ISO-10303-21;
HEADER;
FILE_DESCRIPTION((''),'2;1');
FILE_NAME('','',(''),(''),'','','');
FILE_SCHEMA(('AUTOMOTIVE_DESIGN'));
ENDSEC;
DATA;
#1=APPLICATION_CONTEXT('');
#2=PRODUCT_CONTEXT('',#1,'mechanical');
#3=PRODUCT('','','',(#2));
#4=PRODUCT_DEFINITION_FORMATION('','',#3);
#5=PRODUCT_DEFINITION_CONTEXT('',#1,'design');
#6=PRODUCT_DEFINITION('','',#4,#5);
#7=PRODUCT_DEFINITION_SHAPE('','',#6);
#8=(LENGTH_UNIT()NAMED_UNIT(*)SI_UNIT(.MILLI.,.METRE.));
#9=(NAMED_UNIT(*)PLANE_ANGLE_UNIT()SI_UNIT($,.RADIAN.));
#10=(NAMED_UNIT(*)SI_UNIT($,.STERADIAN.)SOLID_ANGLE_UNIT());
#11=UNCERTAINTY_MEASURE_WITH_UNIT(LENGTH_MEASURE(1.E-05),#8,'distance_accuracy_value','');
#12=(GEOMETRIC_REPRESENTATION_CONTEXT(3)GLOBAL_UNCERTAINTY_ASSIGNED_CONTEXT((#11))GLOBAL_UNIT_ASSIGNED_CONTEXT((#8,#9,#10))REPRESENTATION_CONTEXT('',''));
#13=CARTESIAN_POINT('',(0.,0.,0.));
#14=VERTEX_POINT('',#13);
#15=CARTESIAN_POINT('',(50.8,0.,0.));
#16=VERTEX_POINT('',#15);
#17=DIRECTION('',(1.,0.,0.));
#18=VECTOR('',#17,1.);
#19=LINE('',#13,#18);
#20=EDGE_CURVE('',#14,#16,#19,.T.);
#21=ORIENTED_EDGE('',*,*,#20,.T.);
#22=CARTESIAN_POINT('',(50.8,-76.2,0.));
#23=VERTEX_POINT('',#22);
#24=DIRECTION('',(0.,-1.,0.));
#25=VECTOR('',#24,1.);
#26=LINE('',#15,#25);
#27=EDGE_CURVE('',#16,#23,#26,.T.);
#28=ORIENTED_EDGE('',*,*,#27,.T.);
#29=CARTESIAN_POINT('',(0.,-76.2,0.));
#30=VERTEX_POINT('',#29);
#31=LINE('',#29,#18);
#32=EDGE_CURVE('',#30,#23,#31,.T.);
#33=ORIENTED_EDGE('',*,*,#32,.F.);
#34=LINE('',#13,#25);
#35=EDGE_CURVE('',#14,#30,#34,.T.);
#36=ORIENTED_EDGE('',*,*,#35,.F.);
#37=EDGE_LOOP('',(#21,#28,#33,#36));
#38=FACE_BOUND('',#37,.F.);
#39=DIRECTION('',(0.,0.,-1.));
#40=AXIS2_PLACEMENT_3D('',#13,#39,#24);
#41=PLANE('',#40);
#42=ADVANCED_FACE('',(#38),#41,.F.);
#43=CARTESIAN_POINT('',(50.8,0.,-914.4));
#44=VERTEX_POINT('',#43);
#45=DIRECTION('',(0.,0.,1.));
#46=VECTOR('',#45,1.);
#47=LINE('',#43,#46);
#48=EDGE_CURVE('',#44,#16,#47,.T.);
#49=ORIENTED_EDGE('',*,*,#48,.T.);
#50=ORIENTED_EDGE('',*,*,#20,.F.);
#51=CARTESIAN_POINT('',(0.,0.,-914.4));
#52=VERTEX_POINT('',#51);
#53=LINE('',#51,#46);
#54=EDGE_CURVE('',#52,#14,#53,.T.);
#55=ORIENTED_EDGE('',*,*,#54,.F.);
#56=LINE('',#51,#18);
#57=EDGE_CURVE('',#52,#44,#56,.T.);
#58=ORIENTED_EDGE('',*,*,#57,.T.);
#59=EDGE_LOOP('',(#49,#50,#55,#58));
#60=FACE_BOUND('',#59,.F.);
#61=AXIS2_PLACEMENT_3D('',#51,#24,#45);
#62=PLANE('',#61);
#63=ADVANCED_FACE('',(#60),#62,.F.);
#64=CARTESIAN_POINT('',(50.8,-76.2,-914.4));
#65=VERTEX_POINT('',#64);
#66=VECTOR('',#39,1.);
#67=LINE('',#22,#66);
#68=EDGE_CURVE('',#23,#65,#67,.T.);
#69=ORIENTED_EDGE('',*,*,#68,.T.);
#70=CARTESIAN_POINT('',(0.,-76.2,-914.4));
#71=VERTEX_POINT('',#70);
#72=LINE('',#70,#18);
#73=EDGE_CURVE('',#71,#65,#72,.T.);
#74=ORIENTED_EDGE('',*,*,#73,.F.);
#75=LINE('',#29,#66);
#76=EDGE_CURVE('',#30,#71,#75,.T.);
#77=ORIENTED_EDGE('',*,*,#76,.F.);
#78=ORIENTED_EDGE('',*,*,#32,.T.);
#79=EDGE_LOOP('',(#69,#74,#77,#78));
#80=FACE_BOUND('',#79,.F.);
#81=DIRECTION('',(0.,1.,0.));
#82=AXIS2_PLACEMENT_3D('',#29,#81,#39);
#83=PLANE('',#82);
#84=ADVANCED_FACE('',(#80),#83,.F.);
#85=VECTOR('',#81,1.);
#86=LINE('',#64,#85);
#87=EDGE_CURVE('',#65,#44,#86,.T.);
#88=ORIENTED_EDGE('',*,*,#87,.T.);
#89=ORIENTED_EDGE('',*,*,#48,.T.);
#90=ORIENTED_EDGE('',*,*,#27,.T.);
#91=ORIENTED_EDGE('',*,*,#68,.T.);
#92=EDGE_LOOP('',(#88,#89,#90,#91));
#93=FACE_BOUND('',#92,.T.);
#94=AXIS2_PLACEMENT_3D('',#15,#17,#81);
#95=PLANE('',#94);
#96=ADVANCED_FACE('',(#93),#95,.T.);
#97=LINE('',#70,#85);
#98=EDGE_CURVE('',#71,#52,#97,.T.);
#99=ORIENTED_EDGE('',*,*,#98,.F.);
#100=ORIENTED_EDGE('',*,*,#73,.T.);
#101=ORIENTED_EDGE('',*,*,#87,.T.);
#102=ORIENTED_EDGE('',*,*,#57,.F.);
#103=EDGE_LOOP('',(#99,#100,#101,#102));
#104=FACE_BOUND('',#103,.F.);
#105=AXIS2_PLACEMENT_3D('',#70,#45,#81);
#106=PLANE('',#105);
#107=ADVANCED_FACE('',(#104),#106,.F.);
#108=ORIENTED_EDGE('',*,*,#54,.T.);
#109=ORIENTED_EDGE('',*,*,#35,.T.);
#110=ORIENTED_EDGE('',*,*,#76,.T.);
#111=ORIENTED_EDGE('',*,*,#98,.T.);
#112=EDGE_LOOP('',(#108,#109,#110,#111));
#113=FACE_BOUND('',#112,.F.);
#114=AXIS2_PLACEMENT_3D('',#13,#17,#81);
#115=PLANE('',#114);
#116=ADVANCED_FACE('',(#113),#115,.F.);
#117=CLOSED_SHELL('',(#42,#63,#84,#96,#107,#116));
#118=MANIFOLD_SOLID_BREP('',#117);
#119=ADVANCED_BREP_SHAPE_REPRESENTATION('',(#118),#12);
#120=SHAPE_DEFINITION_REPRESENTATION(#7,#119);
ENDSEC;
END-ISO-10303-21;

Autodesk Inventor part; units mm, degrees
ref_plane "YZ Plane" through (0, 0, 0) normal (1, 0, 0) x (0, 1, 0)
ref_plane "XZ Plane" through (0, 0, 0) normal (0, 1, 0) x (-1, 0, 0)
ref_plane "XY Plane" through (0, 0, 0) normal (0, 0, 1) x (1, 0, 0)
sketch "Sketch1" plane through (0, 0, 0) normal (1, 0, 0) x (0, 1, 0)
  line L0 (0, 0) -> (-76.2, 0)
  line L1 (-76.2, 0) -> (-76.2, -914.4)
  line L2 (-76.2, -914.4) -> (0, -914.4)
  line L3 (0, -914.4) -> (0, 0)
  dimension "d0" = 76.2
  dimension "d1" = 914.4
extrude "Extrusion1" add sketch "Sketch1" along normal blind 50.8
properties part number "rev1 base short wall h stud"
